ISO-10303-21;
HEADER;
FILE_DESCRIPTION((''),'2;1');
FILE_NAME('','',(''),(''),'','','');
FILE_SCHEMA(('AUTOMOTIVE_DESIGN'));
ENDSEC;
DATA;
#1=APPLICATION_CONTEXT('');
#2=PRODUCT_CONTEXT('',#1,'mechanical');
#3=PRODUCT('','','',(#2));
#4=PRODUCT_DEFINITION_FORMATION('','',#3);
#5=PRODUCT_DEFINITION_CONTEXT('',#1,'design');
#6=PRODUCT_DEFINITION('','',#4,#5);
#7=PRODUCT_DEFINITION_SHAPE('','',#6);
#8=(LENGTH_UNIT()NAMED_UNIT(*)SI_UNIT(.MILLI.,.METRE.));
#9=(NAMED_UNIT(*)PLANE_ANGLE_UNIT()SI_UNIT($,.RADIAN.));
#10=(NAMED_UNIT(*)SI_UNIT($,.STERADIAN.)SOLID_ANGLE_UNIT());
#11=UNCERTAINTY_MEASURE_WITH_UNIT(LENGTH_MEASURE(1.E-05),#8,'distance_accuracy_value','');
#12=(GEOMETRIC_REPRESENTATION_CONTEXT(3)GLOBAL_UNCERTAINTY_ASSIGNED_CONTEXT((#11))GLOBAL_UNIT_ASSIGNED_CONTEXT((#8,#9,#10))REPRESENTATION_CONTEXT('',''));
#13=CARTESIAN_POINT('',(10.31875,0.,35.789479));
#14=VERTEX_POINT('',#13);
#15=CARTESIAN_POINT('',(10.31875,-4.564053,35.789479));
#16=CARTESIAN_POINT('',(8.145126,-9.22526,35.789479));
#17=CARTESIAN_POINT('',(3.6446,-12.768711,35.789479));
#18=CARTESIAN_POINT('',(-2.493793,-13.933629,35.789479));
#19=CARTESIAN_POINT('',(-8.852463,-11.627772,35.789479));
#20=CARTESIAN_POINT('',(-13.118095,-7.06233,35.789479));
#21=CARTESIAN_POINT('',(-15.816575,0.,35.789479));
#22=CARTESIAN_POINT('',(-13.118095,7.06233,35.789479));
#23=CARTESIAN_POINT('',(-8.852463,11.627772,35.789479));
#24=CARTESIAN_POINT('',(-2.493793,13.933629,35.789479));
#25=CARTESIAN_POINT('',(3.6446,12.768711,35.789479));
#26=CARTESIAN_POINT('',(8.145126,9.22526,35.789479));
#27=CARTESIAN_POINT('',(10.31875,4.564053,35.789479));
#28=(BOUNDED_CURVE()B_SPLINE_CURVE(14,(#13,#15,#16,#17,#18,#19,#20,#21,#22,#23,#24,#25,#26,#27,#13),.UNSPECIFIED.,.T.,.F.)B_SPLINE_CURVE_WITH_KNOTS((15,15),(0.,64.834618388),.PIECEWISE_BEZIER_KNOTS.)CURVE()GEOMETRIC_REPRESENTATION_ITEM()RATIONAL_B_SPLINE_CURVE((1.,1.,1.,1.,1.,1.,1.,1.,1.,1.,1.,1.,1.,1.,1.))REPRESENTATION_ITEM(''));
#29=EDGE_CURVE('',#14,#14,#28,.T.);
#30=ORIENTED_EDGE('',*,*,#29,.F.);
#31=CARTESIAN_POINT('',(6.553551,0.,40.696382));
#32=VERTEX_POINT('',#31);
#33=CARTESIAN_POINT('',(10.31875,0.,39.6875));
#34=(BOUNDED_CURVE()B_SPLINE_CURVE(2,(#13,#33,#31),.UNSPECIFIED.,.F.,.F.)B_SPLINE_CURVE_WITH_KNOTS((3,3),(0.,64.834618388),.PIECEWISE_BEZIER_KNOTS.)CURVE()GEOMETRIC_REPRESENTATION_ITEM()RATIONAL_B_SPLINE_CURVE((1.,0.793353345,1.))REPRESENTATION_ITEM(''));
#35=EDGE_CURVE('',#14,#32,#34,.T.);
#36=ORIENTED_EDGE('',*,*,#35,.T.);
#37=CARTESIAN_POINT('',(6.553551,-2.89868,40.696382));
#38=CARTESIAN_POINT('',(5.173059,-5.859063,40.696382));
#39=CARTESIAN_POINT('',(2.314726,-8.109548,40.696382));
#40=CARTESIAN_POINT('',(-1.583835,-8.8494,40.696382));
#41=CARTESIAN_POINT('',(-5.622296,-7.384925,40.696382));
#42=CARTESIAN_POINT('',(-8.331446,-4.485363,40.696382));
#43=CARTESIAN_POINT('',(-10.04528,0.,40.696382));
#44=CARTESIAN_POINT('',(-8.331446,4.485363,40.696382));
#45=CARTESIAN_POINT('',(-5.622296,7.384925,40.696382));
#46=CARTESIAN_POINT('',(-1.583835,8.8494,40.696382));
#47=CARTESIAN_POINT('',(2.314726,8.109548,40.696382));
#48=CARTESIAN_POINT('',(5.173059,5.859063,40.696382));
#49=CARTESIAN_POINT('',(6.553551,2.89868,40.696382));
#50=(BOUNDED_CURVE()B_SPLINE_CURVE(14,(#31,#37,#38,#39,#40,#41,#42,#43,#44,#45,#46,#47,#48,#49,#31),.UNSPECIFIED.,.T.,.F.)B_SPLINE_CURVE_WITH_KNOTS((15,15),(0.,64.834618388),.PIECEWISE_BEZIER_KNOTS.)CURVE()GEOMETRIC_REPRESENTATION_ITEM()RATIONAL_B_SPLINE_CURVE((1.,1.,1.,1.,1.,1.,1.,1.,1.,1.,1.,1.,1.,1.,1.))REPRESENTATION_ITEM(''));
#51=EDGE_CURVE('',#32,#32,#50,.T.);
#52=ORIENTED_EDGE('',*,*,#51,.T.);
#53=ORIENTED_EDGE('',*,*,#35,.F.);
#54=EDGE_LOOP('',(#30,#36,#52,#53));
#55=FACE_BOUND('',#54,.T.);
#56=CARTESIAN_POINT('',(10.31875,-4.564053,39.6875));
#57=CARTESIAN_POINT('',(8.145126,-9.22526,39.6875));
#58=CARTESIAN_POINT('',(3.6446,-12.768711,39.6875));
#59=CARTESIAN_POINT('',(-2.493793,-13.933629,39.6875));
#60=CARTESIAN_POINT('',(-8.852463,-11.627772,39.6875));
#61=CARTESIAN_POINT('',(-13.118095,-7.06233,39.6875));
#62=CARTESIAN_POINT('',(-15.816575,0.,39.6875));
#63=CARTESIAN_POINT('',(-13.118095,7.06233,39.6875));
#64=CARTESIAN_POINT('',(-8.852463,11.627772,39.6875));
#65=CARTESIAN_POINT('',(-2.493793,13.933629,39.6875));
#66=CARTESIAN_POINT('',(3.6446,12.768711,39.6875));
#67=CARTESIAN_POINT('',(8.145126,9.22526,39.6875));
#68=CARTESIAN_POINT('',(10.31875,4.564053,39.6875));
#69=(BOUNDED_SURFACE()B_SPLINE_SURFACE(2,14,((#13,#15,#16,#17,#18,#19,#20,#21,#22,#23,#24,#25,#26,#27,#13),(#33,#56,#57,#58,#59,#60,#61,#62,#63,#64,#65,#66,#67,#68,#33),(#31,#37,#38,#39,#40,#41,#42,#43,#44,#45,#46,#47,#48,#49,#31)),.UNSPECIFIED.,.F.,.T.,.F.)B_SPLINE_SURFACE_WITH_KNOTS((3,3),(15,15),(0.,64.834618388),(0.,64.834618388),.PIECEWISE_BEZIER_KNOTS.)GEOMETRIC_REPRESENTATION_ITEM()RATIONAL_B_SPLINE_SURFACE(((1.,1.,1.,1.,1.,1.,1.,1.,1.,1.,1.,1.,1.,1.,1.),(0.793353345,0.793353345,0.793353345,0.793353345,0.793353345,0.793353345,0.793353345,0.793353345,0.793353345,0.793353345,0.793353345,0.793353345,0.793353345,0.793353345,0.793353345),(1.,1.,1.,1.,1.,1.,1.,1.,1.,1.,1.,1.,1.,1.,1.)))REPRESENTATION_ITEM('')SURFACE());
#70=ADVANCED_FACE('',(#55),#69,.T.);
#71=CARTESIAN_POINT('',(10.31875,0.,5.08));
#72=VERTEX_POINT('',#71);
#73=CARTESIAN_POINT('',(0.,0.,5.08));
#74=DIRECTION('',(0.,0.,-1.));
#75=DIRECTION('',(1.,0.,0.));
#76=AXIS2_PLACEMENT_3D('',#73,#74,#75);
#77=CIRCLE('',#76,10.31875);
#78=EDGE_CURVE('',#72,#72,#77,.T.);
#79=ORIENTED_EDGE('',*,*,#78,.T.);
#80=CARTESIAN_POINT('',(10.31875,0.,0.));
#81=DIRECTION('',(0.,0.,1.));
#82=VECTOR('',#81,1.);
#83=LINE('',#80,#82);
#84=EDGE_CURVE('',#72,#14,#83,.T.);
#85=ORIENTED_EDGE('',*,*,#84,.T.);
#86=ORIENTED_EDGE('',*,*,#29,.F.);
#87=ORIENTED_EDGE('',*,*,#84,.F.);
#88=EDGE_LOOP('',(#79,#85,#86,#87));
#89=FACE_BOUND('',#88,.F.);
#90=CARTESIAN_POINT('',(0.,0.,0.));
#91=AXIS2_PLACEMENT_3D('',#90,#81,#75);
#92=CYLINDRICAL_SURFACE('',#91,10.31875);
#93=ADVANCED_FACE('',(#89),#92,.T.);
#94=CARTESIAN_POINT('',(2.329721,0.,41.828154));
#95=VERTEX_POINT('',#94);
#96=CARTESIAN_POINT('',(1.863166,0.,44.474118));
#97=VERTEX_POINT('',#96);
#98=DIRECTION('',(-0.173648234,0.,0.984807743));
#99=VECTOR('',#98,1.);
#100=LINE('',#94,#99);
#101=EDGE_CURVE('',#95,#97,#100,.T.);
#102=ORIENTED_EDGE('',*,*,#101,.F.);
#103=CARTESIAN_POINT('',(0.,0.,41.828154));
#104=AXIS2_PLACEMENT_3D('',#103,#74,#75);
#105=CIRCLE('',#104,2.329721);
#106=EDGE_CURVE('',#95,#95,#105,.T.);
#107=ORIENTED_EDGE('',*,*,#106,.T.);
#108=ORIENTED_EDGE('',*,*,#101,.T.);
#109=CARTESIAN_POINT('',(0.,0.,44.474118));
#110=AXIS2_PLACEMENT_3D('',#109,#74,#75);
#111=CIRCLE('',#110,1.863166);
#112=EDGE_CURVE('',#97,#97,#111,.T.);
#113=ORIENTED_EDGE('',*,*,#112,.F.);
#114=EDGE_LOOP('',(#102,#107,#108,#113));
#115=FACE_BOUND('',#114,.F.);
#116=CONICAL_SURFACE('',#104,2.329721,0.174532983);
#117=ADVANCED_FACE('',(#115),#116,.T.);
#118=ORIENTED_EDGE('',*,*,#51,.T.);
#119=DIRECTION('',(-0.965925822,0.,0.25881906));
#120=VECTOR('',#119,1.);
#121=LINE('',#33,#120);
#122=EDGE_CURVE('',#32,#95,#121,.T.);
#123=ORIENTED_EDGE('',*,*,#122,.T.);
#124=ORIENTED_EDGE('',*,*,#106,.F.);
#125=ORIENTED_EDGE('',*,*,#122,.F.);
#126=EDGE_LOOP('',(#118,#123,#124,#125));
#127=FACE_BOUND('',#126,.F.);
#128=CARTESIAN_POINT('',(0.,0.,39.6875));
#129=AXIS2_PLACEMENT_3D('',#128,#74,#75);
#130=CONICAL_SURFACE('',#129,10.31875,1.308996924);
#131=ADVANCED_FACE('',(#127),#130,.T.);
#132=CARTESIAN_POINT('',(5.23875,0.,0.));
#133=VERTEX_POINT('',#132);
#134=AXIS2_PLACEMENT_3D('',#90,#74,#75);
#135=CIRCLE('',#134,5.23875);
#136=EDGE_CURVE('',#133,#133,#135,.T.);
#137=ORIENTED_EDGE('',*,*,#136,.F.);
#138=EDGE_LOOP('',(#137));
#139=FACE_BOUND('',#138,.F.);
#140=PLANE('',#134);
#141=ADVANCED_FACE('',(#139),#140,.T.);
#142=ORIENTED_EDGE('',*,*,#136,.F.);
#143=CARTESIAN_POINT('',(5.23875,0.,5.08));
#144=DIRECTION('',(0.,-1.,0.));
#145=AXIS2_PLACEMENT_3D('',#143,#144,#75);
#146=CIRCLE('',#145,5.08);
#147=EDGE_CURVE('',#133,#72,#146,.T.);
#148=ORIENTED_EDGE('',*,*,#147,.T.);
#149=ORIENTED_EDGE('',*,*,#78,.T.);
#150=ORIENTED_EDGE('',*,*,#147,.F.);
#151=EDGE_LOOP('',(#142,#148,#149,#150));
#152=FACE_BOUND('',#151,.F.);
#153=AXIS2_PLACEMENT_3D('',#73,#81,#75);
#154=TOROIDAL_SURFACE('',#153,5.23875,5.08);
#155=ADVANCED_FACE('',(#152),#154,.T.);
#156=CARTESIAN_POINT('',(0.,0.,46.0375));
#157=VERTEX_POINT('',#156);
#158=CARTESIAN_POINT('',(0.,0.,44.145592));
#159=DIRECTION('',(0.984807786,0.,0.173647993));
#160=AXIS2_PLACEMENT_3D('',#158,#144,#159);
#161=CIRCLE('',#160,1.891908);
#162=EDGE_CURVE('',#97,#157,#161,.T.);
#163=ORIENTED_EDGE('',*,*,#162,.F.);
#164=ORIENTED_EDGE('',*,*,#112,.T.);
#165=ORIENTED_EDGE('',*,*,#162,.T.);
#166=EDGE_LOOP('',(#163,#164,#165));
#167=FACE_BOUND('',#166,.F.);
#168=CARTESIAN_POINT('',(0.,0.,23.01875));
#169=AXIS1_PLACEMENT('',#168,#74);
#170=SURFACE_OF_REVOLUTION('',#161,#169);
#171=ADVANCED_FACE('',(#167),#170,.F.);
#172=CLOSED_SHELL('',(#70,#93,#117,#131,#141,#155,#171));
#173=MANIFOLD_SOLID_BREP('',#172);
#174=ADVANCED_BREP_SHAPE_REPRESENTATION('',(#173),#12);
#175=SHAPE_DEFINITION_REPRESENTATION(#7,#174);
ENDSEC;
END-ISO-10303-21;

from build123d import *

# Parameters (mm, degrees)
F3_R = 5.08


with BuildPart() as f2:
    # F1 (on Front) → F2 (revolve)
    with BuildSketch(Plane.XZ):
        with BuildLine():
            Line((0, 0), (10.31875, 0))
            Line((10.31875, 0), (10.31875, 39.6875))
            Line((10.31875, 39.6875), (2.329721, 41.828154))
            Line((2.329721, 41.828154), (1.863166, 44.474118))
            ThreePointArc((1.863166, 44.474118), (1.216096, 45.594877), (0, 46.0375))
            Line((0, 46.0375), (0, 0))
        make_face()
    revolve(axis=Axis((0, 0, 23.01875), (0, 0, -1)))

    # F3
    f3_edges = [f2.edges().sort_by_distance(p)[0] for p in [
        (-10.31875, 0, 39.6875),
        (-10.31875, 0, 0),
    ]]
    fillet(f3_edges, radius=F3_R)


solid = f2.part
